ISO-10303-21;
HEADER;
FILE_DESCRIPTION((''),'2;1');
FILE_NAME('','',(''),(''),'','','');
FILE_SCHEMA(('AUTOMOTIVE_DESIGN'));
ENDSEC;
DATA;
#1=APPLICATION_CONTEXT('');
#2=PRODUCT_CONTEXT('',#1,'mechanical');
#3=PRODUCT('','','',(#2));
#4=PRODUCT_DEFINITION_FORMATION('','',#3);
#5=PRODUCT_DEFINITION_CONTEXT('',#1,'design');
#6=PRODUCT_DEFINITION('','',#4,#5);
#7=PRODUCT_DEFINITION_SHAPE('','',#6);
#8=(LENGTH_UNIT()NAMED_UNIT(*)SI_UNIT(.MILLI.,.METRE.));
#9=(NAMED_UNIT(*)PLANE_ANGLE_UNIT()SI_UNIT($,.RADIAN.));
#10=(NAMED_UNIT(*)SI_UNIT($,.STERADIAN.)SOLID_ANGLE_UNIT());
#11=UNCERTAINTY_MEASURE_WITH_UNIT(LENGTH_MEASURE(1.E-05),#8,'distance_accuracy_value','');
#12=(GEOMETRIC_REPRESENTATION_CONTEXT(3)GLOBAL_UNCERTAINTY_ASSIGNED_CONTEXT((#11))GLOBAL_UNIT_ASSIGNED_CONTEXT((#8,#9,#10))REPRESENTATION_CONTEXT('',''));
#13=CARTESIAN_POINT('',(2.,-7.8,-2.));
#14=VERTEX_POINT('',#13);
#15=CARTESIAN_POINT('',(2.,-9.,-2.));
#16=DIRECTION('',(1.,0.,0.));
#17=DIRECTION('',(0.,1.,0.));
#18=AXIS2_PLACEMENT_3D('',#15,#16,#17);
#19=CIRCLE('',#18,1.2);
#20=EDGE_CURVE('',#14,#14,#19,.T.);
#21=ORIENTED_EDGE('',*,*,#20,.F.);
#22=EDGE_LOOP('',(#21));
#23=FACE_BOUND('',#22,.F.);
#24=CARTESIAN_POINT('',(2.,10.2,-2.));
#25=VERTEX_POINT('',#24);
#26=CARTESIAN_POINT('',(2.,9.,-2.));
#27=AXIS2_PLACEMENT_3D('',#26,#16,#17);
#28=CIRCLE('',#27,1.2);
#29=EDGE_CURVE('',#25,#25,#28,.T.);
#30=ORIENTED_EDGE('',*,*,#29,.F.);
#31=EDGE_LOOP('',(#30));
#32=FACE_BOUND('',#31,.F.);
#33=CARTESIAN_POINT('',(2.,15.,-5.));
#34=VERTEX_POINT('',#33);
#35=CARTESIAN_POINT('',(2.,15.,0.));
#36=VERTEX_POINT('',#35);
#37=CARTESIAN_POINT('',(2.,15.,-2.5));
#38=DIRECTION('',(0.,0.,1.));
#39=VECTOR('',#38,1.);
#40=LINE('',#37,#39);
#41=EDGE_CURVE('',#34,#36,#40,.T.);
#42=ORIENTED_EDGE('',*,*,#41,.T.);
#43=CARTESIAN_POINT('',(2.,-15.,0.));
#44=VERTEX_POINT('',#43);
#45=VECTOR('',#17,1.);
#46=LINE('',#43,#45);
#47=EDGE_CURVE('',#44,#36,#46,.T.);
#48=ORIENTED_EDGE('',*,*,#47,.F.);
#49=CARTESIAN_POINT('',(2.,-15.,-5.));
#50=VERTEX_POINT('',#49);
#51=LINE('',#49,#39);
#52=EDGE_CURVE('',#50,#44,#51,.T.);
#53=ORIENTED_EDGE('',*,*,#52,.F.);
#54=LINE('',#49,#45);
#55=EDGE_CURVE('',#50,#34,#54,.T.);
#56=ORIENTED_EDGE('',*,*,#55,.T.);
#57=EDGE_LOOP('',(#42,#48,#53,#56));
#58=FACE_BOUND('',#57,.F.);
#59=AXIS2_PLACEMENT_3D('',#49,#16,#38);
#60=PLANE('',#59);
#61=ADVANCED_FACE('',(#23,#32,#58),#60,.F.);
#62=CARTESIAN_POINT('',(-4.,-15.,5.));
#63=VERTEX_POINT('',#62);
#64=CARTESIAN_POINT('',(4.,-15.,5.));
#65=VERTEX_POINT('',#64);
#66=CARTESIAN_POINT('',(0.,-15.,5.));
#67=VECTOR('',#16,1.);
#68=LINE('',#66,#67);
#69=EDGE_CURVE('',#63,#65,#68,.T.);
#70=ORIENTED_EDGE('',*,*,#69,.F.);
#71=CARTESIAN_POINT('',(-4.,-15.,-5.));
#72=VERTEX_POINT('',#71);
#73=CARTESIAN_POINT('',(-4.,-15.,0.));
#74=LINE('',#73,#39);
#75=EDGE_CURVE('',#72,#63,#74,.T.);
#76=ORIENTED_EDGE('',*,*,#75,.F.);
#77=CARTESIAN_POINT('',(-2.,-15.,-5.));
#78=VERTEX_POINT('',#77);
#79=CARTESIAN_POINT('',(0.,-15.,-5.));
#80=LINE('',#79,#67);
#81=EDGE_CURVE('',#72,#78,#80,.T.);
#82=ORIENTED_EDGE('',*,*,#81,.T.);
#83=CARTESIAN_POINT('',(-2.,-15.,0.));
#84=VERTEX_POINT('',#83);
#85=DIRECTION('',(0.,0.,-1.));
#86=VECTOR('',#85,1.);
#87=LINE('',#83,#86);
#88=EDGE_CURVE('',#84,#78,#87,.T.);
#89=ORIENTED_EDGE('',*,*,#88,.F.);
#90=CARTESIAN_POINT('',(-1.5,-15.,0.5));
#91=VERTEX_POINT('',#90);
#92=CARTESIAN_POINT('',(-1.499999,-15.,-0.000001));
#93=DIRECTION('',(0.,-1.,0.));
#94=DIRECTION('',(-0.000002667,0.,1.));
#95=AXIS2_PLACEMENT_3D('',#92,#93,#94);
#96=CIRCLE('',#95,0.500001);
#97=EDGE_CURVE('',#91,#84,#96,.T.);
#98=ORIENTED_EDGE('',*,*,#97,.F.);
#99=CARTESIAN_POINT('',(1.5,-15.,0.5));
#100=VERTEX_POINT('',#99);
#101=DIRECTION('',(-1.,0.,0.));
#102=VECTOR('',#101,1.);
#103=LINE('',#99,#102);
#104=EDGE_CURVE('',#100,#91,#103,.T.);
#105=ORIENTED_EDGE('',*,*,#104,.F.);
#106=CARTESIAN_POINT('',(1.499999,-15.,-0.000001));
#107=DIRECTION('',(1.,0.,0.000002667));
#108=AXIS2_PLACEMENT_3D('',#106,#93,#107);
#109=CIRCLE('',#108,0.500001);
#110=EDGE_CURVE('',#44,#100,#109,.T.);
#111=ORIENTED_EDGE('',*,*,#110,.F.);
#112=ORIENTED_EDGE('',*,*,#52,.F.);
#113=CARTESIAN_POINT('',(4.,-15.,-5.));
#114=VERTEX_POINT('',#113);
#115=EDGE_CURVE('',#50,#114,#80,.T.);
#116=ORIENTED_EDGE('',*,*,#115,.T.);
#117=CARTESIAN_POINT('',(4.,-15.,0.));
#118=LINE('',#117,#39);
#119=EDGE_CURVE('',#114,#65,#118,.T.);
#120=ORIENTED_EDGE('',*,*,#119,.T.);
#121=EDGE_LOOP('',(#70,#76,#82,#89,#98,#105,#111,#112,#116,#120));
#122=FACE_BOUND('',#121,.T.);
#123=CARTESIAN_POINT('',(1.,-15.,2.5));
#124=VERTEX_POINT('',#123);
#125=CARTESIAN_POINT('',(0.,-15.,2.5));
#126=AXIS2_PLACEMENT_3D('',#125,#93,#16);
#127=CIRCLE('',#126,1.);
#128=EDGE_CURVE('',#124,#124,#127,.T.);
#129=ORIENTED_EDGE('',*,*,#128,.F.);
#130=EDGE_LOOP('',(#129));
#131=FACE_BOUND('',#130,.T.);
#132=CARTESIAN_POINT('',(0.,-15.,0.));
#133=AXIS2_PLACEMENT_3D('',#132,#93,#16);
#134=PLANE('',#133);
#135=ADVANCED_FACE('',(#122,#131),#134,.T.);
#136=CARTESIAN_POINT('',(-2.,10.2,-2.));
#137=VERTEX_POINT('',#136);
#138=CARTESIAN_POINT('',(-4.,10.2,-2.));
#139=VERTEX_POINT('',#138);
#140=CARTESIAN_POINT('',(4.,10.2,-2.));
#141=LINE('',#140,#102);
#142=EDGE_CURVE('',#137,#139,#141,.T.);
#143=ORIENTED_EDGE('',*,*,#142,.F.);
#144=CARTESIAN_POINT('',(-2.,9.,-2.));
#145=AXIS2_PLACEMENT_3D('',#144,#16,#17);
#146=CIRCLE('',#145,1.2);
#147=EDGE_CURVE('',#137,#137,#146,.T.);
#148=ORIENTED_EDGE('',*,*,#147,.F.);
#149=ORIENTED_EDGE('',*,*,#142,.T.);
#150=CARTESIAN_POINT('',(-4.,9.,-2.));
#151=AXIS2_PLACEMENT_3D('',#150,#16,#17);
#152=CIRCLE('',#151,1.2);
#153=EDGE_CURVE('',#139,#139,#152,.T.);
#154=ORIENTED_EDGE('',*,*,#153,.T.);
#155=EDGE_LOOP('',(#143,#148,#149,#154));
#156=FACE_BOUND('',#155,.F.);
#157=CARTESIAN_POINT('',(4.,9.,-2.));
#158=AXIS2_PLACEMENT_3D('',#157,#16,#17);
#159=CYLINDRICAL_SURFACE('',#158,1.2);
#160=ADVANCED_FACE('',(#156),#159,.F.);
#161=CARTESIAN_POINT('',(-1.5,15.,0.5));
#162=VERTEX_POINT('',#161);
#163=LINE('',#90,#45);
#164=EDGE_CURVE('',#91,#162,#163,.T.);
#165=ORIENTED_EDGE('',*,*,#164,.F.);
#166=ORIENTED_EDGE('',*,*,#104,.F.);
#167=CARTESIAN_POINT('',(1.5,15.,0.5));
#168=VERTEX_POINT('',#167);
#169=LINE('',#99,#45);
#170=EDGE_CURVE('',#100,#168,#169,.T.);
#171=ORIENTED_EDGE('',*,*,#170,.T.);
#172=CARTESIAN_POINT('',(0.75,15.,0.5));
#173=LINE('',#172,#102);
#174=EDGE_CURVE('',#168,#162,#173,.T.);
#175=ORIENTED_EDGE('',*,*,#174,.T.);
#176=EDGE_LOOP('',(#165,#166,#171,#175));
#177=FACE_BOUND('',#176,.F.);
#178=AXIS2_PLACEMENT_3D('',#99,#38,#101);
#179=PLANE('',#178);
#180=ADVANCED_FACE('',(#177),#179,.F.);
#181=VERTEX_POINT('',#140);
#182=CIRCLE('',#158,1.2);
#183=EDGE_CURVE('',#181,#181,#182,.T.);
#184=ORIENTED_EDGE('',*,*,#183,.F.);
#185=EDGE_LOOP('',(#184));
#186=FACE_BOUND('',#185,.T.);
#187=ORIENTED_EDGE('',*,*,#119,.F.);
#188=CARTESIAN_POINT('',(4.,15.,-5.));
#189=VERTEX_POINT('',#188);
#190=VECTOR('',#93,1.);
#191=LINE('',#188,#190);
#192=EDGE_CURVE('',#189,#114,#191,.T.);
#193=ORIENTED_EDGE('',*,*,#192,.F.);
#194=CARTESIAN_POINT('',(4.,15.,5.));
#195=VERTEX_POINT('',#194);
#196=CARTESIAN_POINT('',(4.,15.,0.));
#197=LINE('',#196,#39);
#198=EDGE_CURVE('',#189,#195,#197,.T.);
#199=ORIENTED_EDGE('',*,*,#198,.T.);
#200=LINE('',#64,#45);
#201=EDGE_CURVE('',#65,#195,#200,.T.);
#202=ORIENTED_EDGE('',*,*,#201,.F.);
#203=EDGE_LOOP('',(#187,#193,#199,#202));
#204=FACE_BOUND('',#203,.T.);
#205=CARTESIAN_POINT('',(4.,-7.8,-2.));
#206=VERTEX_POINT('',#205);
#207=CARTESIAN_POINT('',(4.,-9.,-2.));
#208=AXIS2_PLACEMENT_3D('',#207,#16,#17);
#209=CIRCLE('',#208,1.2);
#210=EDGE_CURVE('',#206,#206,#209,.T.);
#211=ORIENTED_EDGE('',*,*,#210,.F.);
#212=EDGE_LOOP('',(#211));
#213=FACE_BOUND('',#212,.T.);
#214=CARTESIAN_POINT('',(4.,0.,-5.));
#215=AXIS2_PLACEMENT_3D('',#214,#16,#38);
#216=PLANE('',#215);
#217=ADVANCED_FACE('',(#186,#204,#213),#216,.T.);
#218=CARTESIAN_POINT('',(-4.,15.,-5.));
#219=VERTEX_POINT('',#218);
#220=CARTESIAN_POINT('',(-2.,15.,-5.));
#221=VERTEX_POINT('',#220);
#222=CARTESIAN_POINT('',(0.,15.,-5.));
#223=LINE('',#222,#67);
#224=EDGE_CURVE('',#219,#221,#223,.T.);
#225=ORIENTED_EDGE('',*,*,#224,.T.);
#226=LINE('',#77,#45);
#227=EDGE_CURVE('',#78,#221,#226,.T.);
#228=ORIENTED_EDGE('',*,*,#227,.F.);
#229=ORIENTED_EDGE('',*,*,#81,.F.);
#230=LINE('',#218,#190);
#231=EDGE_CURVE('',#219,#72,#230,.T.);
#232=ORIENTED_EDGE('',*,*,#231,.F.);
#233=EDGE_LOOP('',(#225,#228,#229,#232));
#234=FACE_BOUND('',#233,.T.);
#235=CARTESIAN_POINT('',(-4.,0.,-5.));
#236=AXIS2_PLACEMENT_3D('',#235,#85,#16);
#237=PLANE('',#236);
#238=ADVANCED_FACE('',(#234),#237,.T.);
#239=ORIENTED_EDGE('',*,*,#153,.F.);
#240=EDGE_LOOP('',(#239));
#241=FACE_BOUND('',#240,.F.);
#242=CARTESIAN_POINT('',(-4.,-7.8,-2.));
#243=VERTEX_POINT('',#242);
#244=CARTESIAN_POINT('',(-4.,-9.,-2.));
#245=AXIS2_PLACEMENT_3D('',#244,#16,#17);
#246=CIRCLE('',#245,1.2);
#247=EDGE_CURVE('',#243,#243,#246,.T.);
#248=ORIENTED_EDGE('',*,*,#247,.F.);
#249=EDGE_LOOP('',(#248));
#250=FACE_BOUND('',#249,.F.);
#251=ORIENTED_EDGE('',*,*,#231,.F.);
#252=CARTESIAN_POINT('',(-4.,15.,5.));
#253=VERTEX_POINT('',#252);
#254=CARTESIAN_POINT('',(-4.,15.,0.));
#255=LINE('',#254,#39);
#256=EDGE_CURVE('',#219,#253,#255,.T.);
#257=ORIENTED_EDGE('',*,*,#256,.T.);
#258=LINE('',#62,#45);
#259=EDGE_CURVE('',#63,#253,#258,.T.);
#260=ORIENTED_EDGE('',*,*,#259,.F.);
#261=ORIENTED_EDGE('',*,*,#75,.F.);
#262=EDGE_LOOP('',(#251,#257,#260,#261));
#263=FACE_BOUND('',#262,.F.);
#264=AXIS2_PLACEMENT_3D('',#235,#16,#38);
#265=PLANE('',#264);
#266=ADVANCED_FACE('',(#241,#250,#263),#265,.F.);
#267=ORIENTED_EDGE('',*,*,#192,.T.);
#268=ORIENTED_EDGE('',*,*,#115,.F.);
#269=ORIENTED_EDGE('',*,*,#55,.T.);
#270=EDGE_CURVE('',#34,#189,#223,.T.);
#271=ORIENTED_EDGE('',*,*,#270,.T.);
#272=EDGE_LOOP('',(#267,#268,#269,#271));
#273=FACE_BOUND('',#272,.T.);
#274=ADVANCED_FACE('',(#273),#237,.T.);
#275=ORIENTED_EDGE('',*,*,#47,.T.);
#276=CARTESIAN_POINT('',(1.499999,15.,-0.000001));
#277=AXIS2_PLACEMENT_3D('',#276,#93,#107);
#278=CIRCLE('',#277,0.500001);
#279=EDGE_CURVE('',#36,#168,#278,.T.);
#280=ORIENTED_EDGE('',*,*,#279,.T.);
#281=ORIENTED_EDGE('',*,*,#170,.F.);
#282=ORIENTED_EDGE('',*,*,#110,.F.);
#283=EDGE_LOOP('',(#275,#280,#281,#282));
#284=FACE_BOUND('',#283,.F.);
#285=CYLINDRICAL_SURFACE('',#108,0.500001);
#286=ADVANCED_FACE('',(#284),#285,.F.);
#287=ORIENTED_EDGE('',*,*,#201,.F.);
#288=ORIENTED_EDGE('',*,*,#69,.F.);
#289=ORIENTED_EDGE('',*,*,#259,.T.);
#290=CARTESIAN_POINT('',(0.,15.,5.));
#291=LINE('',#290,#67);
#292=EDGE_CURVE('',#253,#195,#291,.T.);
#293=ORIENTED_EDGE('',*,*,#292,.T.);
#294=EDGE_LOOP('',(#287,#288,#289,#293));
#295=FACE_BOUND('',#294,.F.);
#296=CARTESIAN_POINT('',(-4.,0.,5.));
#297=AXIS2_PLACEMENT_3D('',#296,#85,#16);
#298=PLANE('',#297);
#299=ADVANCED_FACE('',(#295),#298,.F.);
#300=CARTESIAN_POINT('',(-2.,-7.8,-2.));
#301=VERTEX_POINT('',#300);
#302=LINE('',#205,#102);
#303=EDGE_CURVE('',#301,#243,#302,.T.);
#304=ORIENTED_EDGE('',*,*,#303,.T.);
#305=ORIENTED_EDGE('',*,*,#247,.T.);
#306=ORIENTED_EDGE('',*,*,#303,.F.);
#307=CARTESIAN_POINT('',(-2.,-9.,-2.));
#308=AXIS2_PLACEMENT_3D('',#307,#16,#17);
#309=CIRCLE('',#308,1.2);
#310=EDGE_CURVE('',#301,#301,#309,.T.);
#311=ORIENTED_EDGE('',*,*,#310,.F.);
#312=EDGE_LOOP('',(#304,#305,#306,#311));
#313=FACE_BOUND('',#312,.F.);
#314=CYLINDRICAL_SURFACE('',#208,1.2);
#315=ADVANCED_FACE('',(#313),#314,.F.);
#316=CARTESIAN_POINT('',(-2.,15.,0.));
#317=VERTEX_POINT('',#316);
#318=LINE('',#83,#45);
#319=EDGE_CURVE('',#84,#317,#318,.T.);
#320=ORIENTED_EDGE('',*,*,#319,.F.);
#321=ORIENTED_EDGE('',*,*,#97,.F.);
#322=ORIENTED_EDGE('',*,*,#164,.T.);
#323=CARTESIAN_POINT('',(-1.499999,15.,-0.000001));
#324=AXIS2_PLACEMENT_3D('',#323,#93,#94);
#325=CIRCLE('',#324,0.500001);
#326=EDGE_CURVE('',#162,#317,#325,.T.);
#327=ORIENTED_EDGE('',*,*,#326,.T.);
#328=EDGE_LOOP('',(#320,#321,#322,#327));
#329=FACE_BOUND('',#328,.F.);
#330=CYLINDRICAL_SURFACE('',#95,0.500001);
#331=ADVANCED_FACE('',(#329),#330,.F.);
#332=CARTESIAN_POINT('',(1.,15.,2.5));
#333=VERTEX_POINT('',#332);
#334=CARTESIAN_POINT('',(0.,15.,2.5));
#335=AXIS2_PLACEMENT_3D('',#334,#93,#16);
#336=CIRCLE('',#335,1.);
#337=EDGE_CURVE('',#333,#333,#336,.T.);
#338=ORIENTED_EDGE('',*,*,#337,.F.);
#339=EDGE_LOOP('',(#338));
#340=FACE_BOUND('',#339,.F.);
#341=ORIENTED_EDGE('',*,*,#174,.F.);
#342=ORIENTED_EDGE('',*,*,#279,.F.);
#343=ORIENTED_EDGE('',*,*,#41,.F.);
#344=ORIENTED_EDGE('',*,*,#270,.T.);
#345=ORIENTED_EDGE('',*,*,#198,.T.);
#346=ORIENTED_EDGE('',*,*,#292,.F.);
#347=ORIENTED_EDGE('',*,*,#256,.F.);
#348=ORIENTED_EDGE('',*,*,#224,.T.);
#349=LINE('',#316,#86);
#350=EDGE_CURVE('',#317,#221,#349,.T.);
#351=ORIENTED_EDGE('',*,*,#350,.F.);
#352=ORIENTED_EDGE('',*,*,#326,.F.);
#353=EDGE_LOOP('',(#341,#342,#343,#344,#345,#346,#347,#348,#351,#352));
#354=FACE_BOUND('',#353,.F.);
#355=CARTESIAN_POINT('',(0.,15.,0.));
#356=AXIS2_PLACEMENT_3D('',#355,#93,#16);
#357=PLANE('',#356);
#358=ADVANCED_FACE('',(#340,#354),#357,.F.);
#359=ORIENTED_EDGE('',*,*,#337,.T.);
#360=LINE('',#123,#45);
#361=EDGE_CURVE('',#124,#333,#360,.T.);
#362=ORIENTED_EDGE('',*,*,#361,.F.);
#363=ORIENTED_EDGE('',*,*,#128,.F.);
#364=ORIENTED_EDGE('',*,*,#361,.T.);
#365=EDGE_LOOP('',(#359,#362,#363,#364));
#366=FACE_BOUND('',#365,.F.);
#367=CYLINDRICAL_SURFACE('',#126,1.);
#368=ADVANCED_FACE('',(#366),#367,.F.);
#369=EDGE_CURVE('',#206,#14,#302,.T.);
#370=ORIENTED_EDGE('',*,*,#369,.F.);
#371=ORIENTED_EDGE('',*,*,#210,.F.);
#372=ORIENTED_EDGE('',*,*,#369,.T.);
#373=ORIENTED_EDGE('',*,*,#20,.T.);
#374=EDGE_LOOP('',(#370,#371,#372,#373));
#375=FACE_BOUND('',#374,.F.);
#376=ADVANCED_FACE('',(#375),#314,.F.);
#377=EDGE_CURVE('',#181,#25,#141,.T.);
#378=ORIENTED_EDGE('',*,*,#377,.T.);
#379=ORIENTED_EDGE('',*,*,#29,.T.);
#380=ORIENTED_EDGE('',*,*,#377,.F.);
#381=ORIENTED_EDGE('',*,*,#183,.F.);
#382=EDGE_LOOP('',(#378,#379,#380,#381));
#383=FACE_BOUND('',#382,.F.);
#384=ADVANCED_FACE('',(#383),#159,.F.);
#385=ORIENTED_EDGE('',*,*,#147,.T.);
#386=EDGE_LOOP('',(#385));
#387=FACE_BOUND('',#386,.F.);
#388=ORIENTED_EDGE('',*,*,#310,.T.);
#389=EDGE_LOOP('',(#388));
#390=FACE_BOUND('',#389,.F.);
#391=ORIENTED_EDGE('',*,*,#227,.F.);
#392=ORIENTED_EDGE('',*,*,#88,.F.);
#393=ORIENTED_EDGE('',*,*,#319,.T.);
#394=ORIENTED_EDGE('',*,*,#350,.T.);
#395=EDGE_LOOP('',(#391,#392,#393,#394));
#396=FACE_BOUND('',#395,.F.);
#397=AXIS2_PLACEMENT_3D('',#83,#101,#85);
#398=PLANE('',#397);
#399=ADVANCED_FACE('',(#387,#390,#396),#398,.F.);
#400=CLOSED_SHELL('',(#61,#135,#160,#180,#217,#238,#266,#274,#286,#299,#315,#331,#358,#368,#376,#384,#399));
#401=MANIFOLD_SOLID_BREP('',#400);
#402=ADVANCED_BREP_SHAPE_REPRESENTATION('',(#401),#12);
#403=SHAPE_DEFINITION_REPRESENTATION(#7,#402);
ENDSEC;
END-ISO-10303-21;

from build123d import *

# Parameters (mm, degrees)
F0_W          = 8
F0_H          = 10
F1_DEPTH      = 15
F1_DEPTH_BACK = 15
F2_R          = 1
F3_DEPTH      = 30.001
F5_DEPTH      = 30.001
F6_R          = 1.2
F7_DEPTH      = 8.001


with BuildPart() as f1:
    # F0 (on Front) → F1 (new body, two sides)
    with BuildSketch(Plane.XZ) as f1_sk:
        Rectangle(F0_W, F0_H)
    extrude(amount=F1_DEPTH)
    extrude(f1_sk.sketch, amount=-F1_DEPTH_BACK)

    # F2 (on face) → F3 (cut, through all)
    with BuildSketch(Plane.XZ.offset(15)):
        with Locations((0, 2.5)):
            Circle(F2_R)
    extrude(amount=-F3_DEPTH, mode=Mode.SUBTRACT)

    # F4 (on face) → F5 (cut, through all)
    with BuildSketch(Plane.XZ.offset(15)):
        with BuildLine():
            Line((-2, 0), (-2, -5))
            Line((-2, -5), (2, -5))
            Line((2, -5), (2, 0))
            ThreePointArc((2, 0), (1.853553, 0.353553), (1.5, 0.5))
            Line((1.5, 0.5), (-1.5, 0.5))
            ThreePointArc((-1.5, 0.5), (-1.853553, 0.353553), (-2, 0))
        make_face()
    extrude(amount=-F5_DEPTH, mode=Mode.SUBTRACT)

    # F6 (on face) → F7 (cut, through all)
    with BuildSketch(Plane.YZ.offset(4)):
        with Locations((-9, -2)):
            Circle(F6_R)
        with Locations((9, -2)):
            Circle(F6_R)
    extrude(amount=-F7_DEPTH, mode=Mode.SUBTRACT)


solid = f1.part
